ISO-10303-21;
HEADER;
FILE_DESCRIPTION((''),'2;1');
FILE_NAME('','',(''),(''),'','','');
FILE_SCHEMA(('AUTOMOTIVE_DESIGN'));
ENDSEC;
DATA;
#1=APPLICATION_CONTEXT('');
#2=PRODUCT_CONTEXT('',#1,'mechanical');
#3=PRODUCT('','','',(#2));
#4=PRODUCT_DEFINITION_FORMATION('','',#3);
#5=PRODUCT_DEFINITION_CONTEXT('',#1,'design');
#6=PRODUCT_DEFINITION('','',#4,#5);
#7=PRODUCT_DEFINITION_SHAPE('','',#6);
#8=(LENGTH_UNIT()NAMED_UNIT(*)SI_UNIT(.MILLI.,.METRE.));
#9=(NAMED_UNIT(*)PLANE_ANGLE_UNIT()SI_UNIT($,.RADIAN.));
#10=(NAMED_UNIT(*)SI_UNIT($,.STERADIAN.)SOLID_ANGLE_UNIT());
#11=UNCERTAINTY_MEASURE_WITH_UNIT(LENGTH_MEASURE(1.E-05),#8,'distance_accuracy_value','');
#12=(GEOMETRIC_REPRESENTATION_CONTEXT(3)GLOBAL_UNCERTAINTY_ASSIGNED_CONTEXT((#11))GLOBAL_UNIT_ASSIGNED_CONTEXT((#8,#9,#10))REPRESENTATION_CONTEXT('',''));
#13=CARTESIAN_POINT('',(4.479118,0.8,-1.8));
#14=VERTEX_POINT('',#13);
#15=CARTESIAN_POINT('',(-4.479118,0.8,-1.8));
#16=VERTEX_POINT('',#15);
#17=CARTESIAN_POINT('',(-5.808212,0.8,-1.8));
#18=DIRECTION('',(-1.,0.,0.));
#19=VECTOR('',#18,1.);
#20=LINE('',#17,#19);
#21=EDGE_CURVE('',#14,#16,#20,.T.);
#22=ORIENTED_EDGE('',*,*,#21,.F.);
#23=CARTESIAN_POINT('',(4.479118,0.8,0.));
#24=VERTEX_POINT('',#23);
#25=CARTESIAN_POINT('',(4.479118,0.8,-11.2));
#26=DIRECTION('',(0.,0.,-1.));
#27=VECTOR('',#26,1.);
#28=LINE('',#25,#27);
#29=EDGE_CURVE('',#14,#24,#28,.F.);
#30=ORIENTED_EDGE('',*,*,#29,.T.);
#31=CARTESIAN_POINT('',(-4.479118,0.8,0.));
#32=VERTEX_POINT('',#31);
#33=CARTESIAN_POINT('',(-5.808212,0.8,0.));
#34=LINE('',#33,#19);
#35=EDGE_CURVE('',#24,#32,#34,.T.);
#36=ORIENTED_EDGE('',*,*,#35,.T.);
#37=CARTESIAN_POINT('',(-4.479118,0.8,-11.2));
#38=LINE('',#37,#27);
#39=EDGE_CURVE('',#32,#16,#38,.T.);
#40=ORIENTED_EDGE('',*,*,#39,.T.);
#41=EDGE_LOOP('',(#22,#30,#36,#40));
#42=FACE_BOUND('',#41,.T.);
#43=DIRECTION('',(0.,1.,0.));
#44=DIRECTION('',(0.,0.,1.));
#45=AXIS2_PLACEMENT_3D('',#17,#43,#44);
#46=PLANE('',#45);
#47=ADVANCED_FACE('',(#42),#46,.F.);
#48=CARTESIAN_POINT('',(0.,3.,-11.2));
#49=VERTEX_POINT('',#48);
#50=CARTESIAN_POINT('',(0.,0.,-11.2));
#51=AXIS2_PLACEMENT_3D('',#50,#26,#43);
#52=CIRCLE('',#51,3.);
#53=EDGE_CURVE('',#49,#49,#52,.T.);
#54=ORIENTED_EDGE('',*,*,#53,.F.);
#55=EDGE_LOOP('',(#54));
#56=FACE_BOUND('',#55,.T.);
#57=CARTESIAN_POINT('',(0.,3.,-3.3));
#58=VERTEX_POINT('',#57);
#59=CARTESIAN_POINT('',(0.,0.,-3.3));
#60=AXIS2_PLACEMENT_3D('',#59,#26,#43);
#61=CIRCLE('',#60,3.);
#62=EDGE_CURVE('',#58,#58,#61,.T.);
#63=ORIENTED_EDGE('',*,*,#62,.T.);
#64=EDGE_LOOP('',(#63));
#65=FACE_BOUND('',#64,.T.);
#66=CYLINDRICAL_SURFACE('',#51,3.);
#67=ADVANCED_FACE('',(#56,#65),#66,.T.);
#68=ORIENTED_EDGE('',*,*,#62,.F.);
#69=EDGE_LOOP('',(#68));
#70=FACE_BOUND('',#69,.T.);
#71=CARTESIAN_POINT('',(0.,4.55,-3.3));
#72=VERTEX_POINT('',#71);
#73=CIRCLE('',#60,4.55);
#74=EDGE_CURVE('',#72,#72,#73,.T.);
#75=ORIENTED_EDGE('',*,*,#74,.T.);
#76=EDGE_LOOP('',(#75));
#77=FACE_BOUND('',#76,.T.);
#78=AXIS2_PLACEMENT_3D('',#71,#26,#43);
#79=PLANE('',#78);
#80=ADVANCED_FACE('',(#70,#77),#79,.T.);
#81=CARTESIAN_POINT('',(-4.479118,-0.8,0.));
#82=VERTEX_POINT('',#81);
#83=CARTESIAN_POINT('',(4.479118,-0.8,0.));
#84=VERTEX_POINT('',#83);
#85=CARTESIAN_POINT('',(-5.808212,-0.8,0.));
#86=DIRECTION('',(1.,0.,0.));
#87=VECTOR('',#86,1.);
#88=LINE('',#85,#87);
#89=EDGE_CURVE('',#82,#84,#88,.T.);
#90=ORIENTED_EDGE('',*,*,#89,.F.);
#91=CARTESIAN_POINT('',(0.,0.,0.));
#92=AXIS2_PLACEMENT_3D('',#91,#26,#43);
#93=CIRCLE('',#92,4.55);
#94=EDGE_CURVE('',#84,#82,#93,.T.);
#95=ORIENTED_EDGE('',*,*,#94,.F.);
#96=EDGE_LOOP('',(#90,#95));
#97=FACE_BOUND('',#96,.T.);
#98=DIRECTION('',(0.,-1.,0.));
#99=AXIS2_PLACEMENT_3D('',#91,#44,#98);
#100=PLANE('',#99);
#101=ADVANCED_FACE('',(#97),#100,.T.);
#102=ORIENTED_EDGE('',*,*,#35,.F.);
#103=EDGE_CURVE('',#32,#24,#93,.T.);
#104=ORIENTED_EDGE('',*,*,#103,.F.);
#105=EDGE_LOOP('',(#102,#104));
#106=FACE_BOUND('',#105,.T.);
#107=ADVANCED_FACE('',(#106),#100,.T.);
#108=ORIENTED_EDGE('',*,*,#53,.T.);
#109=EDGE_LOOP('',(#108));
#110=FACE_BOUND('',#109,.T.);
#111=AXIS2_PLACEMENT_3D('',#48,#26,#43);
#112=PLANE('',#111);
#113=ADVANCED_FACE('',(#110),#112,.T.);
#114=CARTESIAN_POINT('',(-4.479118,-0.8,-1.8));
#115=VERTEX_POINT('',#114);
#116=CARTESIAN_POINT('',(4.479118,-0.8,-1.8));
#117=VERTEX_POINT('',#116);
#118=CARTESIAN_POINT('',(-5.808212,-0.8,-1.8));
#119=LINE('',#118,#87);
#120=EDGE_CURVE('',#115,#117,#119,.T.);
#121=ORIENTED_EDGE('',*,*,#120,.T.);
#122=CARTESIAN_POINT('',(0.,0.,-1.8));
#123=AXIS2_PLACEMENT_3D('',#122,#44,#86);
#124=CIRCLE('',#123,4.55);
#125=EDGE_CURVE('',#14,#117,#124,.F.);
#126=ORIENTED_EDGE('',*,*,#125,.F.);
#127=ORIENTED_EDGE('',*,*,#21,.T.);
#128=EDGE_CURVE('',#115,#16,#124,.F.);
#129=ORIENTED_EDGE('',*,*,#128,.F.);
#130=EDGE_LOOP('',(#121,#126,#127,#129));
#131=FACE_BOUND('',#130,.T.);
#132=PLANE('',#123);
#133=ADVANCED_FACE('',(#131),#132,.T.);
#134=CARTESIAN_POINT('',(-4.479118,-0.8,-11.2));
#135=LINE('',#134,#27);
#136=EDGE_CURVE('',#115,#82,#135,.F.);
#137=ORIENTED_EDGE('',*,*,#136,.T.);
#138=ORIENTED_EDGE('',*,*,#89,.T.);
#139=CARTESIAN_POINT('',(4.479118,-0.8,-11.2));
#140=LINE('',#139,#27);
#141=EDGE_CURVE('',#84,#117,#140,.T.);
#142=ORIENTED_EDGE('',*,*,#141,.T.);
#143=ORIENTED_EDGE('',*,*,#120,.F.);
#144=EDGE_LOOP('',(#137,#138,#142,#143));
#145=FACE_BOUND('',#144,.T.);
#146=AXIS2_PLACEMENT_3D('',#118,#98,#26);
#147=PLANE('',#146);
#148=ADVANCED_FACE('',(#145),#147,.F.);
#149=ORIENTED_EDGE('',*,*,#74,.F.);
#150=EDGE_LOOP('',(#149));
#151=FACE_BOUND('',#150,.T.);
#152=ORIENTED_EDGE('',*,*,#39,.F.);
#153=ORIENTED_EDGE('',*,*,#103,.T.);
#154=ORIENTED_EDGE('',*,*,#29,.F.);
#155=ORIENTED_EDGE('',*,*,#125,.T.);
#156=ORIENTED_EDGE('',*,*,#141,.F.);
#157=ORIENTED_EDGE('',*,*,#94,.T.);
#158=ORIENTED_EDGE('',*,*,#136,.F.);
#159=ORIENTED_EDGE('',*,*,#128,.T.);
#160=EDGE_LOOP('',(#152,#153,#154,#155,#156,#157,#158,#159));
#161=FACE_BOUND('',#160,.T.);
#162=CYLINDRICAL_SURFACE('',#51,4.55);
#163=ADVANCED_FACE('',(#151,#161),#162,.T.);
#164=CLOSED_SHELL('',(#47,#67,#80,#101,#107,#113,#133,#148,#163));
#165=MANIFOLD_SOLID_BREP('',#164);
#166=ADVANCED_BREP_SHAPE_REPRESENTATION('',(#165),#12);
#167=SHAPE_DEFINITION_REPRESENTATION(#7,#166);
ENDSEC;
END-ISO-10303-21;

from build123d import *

# Parameters (mm, degrees)
SKETCH_2_W          = 11.343097154
SKETCH_2_H          = 1.6
CUT_EXTRUDE_1_DEPTH = 1.8


with BuildPart() as part:
    # 스케치1 → 회전1 (revolve)
    with BuildSketch(Plane(origin=(0, 0, 0), x_dir=(0, 0, -1), z_dir=(1, 0, 0))):
        Polygon((0, 0), (0, 4.55), (3.3, 4.55), (3.3, 3), (11.2, 3), (11.2, 0), align=None)
    revolve(axis=Axis((0, 0, -11.2), (0, 0, 1)))

    # 스케치2 → 컷-돌출1 (cut)
    with BuildSketch(Plane.XY):
        with Locations((-0.136663821, 0)):
            Rectangle(SKETCH_2_W, SKETCH_2_H)
    extrude(amount=-CUT_EXTRUDE_1_DEPTH, mode=Mode.SUBTRACT)


solid = part.part
